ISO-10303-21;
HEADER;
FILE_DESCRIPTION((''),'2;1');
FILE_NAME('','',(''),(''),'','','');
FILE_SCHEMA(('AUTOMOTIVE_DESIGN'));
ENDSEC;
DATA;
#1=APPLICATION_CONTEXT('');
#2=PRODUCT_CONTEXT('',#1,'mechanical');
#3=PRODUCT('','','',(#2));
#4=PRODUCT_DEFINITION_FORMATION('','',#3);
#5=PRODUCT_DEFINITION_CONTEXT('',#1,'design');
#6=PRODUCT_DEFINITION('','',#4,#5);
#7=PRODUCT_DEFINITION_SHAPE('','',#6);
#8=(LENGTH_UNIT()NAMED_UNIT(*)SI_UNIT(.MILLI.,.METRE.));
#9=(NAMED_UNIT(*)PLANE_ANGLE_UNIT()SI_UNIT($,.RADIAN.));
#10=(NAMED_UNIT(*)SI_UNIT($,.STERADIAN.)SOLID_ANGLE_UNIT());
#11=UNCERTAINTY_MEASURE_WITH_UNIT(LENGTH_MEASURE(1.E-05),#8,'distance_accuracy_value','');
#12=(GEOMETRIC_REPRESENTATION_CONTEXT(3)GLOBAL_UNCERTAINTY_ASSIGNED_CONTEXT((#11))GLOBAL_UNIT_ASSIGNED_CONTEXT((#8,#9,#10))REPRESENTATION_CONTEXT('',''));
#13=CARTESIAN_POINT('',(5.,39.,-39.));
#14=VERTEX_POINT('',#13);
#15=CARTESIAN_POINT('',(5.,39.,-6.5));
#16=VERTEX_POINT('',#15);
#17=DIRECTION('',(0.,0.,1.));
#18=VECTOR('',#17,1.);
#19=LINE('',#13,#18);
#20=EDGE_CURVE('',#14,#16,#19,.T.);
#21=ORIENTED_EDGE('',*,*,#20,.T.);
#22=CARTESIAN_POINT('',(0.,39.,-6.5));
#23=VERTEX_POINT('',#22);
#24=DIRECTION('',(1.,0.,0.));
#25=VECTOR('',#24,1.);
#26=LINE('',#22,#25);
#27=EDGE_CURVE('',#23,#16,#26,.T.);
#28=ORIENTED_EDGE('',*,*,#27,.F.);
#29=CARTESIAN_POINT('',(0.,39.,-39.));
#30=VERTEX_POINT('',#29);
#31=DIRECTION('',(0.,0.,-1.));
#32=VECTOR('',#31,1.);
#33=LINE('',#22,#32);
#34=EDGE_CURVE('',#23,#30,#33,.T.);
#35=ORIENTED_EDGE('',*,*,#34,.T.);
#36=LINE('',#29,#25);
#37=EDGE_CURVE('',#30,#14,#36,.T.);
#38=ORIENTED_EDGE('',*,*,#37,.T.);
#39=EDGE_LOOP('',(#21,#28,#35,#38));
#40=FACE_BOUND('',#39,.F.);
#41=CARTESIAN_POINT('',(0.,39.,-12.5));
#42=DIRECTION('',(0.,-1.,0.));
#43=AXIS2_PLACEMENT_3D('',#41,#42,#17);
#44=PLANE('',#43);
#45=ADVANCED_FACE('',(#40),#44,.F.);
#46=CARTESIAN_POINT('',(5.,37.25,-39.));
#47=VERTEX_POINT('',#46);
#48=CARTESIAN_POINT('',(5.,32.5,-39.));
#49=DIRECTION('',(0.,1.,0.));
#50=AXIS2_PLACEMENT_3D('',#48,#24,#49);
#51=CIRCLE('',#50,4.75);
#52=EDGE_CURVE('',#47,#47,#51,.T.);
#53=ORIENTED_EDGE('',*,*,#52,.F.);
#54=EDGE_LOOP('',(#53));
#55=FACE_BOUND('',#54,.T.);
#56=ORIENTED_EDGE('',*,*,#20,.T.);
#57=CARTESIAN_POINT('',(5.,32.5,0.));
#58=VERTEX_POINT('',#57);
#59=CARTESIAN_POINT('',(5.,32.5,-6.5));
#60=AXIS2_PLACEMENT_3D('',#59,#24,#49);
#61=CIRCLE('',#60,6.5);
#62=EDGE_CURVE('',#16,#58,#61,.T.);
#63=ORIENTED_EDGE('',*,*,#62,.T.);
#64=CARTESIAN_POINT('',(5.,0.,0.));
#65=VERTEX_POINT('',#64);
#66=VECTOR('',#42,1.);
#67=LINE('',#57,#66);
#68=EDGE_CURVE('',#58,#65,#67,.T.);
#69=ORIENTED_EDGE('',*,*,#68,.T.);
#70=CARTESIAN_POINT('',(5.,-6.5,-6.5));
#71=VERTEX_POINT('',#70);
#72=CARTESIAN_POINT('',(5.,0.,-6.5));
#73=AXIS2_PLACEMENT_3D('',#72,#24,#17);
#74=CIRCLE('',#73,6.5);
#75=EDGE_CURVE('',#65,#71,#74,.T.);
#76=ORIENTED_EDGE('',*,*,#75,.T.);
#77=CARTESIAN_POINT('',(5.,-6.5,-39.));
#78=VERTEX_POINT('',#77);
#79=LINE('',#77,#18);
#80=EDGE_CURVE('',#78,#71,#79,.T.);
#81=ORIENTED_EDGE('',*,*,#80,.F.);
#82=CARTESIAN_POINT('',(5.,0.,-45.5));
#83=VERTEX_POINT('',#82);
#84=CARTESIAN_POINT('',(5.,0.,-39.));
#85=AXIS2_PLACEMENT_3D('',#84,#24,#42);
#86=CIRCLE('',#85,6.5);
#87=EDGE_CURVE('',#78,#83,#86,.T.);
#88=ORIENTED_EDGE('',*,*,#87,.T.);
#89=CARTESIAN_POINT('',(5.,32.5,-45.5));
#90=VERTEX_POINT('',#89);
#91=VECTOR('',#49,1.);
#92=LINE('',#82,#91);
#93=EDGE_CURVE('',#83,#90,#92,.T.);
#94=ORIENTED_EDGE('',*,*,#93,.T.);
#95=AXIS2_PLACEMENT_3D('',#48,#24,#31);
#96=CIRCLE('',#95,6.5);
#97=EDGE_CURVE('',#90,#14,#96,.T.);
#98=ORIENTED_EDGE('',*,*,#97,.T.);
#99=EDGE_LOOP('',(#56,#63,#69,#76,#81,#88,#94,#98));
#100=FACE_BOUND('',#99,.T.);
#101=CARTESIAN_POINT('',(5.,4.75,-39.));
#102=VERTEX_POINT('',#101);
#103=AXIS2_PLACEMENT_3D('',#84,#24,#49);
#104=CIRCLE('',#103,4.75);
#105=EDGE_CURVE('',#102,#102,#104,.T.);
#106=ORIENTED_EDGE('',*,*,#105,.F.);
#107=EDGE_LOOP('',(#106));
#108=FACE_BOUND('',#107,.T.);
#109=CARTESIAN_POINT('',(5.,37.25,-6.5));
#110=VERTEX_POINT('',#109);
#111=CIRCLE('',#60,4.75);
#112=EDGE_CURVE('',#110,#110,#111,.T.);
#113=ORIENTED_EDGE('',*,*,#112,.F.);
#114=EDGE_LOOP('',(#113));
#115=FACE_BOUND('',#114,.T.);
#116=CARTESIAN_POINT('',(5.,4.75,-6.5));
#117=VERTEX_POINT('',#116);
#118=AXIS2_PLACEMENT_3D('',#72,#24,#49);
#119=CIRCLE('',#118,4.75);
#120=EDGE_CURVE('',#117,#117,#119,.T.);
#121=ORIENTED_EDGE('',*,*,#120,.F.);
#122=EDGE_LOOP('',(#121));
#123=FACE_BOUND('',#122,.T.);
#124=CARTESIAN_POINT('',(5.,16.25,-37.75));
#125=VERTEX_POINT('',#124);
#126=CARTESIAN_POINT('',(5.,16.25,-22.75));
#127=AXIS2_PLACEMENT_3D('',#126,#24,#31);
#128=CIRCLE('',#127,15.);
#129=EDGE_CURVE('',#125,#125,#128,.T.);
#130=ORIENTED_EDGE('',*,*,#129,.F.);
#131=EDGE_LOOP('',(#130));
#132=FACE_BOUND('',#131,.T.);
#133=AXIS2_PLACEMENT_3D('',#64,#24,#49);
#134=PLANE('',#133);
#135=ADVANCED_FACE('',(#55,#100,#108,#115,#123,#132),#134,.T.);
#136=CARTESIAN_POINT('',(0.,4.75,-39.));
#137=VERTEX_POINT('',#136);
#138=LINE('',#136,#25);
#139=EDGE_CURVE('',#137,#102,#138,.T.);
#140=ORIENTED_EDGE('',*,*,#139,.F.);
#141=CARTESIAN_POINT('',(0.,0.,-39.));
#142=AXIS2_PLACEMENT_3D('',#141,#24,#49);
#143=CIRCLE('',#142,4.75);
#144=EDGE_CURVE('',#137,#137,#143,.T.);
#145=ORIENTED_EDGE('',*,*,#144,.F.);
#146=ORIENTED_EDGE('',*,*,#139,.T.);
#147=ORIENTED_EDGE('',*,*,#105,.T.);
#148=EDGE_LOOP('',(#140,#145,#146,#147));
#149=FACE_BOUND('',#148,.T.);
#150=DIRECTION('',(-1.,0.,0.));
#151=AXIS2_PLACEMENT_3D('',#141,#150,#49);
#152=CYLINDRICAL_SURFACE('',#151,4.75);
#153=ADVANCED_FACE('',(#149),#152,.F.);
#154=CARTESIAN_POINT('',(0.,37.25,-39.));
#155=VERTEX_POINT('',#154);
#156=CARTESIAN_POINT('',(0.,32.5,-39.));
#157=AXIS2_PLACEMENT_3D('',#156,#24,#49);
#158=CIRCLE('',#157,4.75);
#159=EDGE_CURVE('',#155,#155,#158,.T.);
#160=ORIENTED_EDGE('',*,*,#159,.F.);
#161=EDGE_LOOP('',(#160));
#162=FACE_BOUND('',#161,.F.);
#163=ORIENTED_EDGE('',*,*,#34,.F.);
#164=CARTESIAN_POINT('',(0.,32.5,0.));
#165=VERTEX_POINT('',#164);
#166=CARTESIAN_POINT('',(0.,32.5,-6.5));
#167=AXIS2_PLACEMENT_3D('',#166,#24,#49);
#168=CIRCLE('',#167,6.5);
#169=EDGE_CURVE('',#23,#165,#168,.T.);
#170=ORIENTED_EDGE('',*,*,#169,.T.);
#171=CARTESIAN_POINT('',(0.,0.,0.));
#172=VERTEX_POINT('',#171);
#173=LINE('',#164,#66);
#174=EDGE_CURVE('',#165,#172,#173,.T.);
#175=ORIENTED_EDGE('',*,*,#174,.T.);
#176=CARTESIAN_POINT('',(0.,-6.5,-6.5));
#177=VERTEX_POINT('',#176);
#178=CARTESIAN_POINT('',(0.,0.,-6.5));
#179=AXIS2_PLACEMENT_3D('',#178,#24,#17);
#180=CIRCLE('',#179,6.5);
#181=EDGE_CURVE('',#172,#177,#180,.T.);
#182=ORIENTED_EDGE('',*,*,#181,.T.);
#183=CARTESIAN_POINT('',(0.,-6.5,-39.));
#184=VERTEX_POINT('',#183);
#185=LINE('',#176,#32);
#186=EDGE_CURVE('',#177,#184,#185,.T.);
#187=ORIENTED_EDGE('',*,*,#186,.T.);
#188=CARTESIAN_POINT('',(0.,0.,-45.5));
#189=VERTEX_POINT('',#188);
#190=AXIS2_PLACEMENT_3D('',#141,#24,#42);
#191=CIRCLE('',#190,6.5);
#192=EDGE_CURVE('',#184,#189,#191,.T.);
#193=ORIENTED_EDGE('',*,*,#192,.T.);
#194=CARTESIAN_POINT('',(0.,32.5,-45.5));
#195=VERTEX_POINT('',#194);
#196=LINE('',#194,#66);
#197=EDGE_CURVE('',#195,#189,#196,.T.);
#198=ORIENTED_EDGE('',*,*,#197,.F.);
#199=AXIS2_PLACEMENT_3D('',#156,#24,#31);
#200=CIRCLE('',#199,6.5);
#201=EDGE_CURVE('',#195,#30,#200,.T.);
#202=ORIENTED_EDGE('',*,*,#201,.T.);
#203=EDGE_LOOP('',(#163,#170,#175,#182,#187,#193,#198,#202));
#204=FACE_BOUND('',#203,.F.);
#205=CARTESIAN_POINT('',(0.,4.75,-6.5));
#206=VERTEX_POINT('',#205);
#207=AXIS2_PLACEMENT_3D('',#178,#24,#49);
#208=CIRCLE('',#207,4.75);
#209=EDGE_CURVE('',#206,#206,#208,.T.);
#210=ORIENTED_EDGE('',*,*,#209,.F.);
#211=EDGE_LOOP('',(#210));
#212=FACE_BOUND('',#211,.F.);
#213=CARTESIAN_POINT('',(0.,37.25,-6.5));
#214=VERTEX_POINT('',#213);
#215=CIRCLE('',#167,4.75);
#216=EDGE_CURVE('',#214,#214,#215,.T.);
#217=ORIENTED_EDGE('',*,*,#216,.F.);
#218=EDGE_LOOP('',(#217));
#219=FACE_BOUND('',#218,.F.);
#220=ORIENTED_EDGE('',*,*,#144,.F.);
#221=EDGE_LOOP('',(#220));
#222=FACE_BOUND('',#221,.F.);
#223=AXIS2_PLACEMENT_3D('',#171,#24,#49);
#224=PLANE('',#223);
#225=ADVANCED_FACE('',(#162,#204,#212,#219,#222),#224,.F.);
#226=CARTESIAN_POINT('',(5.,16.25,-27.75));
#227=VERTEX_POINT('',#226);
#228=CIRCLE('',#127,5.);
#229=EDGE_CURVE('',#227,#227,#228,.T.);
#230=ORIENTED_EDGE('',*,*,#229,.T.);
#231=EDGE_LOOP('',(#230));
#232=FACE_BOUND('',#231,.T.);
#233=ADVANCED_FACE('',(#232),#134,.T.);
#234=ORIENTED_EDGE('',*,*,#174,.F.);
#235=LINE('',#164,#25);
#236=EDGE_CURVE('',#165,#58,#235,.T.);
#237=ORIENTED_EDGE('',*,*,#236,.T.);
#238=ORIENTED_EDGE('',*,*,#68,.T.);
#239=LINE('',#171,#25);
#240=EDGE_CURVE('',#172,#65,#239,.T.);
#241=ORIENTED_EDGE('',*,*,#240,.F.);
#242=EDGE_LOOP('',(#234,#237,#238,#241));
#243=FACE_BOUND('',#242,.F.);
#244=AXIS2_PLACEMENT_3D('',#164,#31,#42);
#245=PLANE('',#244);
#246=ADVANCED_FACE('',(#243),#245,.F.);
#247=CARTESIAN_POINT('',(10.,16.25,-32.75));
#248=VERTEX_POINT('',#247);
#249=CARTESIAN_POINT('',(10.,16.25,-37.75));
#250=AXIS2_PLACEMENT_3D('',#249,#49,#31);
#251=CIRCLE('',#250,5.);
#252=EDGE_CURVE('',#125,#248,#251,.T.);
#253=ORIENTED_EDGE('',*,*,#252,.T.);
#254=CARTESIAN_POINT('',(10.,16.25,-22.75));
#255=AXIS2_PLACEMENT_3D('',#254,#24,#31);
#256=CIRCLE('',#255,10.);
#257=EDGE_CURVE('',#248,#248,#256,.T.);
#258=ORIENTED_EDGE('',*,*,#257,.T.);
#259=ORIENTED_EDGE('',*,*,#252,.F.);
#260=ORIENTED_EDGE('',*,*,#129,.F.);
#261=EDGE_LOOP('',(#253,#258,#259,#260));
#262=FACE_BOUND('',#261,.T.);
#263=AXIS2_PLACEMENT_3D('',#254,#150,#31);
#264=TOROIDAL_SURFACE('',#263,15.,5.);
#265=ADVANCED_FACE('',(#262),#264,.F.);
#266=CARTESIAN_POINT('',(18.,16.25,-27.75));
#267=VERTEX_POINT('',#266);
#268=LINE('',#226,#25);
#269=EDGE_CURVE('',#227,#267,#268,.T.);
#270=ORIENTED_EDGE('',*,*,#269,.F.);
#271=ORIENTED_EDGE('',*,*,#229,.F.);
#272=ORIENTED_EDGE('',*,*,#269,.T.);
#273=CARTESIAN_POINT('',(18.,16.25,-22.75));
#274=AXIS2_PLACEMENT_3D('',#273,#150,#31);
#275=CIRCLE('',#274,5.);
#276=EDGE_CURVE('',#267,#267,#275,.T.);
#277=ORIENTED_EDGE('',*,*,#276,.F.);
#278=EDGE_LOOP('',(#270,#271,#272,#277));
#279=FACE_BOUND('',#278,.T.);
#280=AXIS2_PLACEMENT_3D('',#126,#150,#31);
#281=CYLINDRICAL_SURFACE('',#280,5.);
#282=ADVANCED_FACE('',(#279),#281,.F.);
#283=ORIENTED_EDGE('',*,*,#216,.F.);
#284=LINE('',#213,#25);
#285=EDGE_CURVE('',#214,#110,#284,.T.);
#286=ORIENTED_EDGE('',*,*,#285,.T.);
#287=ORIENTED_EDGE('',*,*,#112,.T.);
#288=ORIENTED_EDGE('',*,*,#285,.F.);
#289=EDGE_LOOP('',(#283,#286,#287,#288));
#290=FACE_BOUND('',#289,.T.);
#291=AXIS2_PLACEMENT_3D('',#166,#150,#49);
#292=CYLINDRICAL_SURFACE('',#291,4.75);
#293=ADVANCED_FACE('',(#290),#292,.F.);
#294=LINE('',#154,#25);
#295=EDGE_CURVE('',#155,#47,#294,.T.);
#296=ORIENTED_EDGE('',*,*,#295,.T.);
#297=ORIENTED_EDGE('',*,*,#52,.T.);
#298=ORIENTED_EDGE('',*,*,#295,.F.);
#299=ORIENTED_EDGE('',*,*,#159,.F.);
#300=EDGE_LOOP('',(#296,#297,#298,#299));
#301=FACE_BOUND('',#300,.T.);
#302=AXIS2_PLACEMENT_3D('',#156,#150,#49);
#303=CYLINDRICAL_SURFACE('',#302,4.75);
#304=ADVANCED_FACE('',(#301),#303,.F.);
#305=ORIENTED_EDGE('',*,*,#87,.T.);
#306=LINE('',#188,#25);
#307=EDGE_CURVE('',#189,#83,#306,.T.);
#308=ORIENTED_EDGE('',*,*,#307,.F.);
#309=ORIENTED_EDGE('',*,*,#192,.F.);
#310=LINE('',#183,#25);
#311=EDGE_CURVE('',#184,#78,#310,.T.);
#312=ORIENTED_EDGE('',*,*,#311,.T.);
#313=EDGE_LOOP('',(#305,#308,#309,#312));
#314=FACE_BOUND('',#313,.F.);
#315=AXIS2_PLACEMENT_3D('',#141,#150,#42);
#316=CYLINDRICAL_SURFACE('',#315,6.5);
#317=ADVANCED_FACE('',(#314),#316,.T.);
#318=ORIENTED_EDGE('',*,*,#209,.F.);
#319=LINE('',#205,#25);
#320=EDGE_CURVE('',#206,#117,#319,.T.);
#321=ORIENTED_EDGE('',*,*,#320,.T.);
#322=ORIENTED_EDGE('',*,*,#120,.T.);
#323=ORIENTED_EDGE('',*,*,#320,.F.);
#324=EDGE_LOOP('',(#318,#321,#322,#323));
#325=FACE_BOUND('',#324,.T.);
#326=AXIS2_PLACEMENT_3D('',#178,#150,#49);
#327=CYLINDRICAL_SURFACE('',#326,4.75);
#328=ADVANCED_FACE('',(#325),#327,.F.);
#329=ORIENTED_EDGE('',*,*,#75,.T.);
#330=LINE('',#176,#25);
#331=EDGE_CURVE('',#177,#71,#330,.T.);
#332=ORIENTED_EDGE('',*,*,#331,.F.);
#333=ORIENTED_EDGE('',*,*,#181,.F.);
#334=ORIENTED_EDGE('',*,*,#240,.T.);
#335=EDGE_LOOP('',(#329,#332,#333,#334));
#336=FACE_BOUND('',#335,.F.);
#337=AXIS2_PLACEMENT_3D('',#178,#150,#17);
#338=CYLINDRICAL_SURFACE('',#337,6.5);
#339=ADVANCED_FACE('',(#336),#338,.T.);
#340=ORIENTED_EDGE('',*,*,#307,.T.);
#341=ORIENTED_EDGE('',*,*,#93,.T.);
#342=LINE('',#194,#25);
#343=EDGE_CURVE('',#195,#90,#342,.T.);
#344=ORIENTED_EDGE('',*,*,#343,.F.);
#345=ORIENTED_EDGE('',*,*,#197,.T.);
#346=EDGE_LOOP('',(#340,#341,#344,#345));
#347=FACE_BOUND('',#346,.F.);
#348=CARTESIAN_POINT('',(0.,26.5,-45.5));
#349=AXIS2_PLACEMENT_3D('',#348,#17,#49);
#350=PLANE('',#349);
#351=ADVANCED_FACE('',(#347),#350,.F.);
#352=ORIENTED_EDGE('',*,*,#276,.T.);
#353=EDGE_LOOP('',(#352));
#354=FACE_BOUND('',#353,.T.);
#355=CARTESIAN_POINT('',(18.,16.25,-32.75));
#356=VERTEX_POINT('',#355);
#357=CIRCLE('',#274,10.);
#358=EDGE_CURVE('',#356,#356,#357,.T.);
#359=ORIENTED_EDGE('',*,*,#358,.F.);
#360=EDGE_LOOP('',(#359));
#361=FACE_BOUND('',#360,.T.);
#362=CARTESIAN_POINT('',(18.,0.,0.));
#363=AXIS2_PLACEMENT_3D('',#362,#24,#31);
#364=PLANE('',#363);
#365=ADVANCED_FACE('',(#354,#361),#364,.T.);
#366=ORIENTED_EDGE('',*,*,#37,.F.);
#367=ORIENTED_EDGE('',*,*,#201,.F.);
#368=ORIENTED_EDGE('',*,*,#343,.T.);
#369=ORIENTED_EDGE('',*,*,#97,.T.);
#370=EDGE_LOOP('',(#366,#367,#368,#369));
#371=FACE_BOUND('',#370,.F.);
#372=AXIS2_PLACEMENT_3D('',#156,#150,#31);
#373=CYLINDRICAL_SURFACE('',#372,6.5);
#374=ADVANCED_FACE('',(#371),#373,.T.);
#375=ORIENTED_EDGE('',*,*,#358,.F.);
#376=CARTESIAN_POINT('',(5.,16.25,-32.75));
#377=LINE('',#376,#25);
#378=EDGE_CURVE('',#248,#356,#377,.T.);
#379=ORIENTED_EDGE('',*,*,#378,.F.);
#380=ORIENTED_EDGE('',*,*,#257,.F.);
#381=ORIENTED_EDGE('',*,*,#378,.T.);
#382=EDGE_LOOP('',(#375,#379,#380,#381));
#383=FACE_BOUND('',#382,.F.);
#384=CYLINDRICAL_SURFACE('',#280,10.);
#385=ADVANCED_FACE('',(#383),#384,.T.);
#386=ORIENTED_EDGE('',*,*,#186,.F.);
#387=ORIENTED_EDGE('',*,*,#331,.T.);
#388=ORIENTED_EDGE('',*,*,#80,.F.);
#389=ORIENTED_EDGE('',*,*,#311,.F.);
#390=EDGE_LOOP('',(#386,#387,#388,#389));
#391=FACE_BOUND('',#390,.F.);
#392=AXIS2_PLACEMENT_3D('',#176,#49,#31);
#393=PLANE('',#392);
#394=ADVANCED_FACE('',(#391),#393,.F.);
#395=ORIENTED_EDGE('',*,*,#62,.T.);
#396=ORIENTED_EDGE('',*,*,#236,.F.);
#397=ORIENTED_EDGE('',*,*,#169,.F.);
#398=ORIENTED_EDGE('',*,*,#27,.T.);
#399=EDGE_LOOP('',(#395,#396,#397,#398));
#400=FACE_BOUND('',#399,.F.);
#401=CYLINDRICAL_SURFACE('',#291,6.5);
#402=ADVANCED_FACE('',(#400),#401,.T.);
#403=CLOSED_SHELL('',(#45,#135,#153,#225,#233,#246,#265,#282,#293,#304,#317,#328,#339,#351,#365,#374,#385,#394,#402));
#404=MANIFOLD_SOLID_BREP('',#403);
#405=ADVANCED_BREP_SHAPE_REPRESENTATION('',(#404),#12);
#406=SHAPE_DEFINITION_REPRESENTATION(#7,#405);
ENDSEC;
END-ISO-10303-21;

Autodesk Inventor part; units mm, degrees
ref_plane "YZ Plane" through (0, 0, 0) normal (1, 0, 0) x (0, 1, 0)
ref_plane "XZ Plane" through (0, 0, 0) normal (0, 1, 0) x (-1, 0, 0)
ref_plane "XY Plane" through (0, 0, 0) normal (0, 0, 1) x (1, 0, 0)
sketch "Sketch1" plane through (0, 0, 0) normal (1, 0, 0) x (0, 1, 0)
  line L0 (-6, -12.5) -> (-6, -12.9)
  arc A0 (-6, -12.9) -> (-5.6, -13.3) centre (-5.6, -12.9) ccw
  line L1 (-5.6, -13.3) -> (-4.9, -13.3)
  arc A1 (-4.9, -13.3) -> (-4.7, -13.1) centre (-4.9, -13.1) ccw
  line L2 (-4.7, -13.1) -> (-4.7, -12.85)
  arc A2 (-4.5, -12.65) -> (-4.7, -12.85) centre (-4.5, -12.85) ccw
  line L3 (-4.5, -12.65) -> (-1.8, -12.65)
  arc A3 (-1.4, -13.05) -> (-1.8, -12.65) centre (-1.8, -13.05) ccw
  line L4 (-1.4, -13.05) -> (-1.4, -18.75)
  line L5 (-1.8, -19.15) -> (-4.5, -19.15)
  arc A4 (-1.8, -19.15) -> (-1.4, -18.75) centre (-1.8, -18.75) ccw
  arc A5 (-4.7, -18.95) -> (-4.5, -19.15) centre (-4.5, -18.95) ccw
  line L6 (-4.7, -18.95) -> (-4.7, -18.7)
  arc A6 (-4.7, -18.7) -> (-4.9, -18.5) centre (-4.9, -18.7) ccw
  line L7 (-4.9, -18.5) -> (-5.6, -18.5)
  arc A7 (-5.6, -18.5) -> (-6, -18.9) centre (-5.6, -18.9) ccw
  line L8 (-6, -18.9) -> (-6, -19.5)
  line L9 (-6.5, -6.5) -> (-6.5, -12.5)
  line L10 (-6.5, -12.5) -> (-2.5, -12.5)
  line L11 (-1.05, -19.5) -> (-6.5, -19.5)
  line L12 (-6.5, -19.5) -> (-6.5, -26)
  line L13 (-6.5, -26) -> (-1.05, -26)
  line L14 (-6, -26) -> (-6, -26.6)
  arc A8 (-6, -26.6) -> (-5.6, -27) centre (-5.6, -26.6) ccw
  line L15 (-5.6, -27) -> (-4.9, -27)
  arc A9 (-4.9, -27) -> (-4.7, -26.8) centre (-4.9, -26.8) ccw
  arc A10 (-4.5, -26.35) -> (-4.7, -26.55) centre (-4.5, -26.55) ccw
  line L16 (-4.7, -26.8) -> (-4.7, -26.55)
  line L17 (-4.5, -26.35) -> (-1.8, -26.35)
  arc A11 (-1.4, -26.75) -> (-1.8, -26.35) centre (-1.8, -26.75) ccw
  line L18 (-1.4, -26.75) -> (-1.4, -32.45)
  arc A12 (-1.8, -32.85) -> (-1.4, -32.45) centre (-1.8, -32.45) ccw
  line L19 (-1.8, -32.85) -> (-4.5, -32.85)
  arc A13 (-4.7, -32.65) -> (-4.5, -32.85) centre (-4.5, -32.65) ccw
  line L20 (-4.7, -32.65) -> (-4.7, -32.4)
  arc A14 (-4.7, -32.4) -> (-4.9, -32.2) centre (-4.9, -32.4) ccw
  line L21 (-4.9, -32.2) -> (-5.6, -32.2)
  arc A15 (-5.6, -32.2) -> (-6, -32.6) centre (-5.6, -32.6) ccw
  line L22 (-6, -32.6) -> (-6, -33)
  line L23 (-2.5, -33) -> (-6.5, -33)
  line L24 (-6.5, -33) -> (-6.5, -39)
  line L25 (32.5, 0) -> (0, 0)
  circle A16 centre (0, -6.5) radius 4.75
  circle A17 centre (32.5, -6.5) radius 4.75
  circle A18 centre (0, -39) radius 4.75
  circle A19 centre (32.5, -39) radius 4.75
  line L26 (39, -26) -> (39, -19.5)
  line L27 (39, -12.5) -> (39, -6.5)
  line L28 (39, -39) -> (39, -33)
  line L29 (26.5, -45.5) -> (32.5, -45.5)
  line L30 (0, -45.5) -> (6, -45.5)
  line L31 (13, -45.5) -> (19.5, -45.5)
  circle A20 centre (16.25, -22.75) radius 15
  circle A21 centre (16.2588, 5.0016) radius 2.5
  circle A22 centre (16.25, -50.5) radius 2.5
  circle A23 centre (16.25, -22.75) radius 5
  circle A24 centre (16.25, -22.75) radius 8.45
  line L32 (24.75, -27.6575) -> (24.75, -17.8425)
  line L33 (44, 10) -> (-11.5, 10)
  line L34 (-11.5, 10) -> (-11.5, -55.5)
  line L35 (-11.5, -55.5) -> (44, -55.5)
  line L36 (44, -55.5) -> (44, 10)
  line L37 (-11.5, 30) -> (44, 30)
  line L38 (-11.5, -75.5) -> (-11.5, 30)
  line L39 (44, 30) -> (44, -75.5)
  line L40 (44, -75.5) -> (-11.5, -75.5)
  circle A25 centre (16.25, -65.5) radius 5
  circle A26 centre (16.25, 20) radius 5
  arc A27 (39, -6.5) -> (32.5, 0) centre (32.5, -6.5) ccw
  arc A28 (32.5, -45.5) -> (39, -39) centre (32.5, -39) ccw
  arc A29 (0, 0) -> (-6.5, -6.5) centre (0, -6.5) ccw
  arc A30 (-6.5, -39) -> (0, -45.5) centre (0, -39) ccw
  line L41 (39, -12.5) -> (39, -33)
  line L42 (26.5, -45.5) -> (6, -45.5)
  line L43 (-6.5, -12.5) -> (-6.5, -33)
extrude "Extrusion1" add sketch "Sketch1" along normal blind 5 contours L10 L9 A29 L25 A27 L27 L41 L26 L28 A28 L29 L42 L31 L30 A30 L24 L23 L22 A15 L21 A14 L20 A13 L19 A12 L18 A11 L17 A10 L16 A9 L15 A8 L14 L13 L12 L11 L8 A7 L7 A6 L6 A5 L5 A4 L4 A3 L3 A2 L2 A1 L1 A0 L0 | L0 A0 L1 A1 L2 A2 L3 A3 L4 A4 L5 A5 L6 A6 L7 A7 L8 L11 L43 L10 | L13 L14 A8 L15 A9 L16 A10 L17 A11 L18 A12 L19 A13 L20 A14 L21 A15 L22 L23 L43 | A20 | A23 | A24
sketch "Sketch2" plane through (5, 0, 0) normal (1, 0, 0) x (0, 0, -1)
  circle A0 centre (6.5, 32.5) radius 4.75 projected
  circle A1 centre (39, 0) radius 4.75 projected
  line L0 (6.5, 32.5) -> (39, 0)
  circle A2 centre (39, 32.5) radius 4.75 projected
  line L1 (39, 0) -> (39, 32.5)
  line L2 (39, 32.5) -> (6.5, 0)
  circle A3 centre (22.75, 16.25) radius 5
  circle A4 centre (22.75, 16.25) radius 10
  point P0 (0, 0)
  dimension "d2" = 10
  dimension "d3" = 20
extrude "Extrusion2" add sketch "Sketch2" along normal blind 13 contours A4 L2 A3 L0 | L0 A3 L2 A4 | A4 L0 A3 L2 | L2 A3 L0 A4
fillet "Fillet1" radius 5 1 edges at (5, 16.25, -12.75)
properties part number "CodoHidráulicos"
